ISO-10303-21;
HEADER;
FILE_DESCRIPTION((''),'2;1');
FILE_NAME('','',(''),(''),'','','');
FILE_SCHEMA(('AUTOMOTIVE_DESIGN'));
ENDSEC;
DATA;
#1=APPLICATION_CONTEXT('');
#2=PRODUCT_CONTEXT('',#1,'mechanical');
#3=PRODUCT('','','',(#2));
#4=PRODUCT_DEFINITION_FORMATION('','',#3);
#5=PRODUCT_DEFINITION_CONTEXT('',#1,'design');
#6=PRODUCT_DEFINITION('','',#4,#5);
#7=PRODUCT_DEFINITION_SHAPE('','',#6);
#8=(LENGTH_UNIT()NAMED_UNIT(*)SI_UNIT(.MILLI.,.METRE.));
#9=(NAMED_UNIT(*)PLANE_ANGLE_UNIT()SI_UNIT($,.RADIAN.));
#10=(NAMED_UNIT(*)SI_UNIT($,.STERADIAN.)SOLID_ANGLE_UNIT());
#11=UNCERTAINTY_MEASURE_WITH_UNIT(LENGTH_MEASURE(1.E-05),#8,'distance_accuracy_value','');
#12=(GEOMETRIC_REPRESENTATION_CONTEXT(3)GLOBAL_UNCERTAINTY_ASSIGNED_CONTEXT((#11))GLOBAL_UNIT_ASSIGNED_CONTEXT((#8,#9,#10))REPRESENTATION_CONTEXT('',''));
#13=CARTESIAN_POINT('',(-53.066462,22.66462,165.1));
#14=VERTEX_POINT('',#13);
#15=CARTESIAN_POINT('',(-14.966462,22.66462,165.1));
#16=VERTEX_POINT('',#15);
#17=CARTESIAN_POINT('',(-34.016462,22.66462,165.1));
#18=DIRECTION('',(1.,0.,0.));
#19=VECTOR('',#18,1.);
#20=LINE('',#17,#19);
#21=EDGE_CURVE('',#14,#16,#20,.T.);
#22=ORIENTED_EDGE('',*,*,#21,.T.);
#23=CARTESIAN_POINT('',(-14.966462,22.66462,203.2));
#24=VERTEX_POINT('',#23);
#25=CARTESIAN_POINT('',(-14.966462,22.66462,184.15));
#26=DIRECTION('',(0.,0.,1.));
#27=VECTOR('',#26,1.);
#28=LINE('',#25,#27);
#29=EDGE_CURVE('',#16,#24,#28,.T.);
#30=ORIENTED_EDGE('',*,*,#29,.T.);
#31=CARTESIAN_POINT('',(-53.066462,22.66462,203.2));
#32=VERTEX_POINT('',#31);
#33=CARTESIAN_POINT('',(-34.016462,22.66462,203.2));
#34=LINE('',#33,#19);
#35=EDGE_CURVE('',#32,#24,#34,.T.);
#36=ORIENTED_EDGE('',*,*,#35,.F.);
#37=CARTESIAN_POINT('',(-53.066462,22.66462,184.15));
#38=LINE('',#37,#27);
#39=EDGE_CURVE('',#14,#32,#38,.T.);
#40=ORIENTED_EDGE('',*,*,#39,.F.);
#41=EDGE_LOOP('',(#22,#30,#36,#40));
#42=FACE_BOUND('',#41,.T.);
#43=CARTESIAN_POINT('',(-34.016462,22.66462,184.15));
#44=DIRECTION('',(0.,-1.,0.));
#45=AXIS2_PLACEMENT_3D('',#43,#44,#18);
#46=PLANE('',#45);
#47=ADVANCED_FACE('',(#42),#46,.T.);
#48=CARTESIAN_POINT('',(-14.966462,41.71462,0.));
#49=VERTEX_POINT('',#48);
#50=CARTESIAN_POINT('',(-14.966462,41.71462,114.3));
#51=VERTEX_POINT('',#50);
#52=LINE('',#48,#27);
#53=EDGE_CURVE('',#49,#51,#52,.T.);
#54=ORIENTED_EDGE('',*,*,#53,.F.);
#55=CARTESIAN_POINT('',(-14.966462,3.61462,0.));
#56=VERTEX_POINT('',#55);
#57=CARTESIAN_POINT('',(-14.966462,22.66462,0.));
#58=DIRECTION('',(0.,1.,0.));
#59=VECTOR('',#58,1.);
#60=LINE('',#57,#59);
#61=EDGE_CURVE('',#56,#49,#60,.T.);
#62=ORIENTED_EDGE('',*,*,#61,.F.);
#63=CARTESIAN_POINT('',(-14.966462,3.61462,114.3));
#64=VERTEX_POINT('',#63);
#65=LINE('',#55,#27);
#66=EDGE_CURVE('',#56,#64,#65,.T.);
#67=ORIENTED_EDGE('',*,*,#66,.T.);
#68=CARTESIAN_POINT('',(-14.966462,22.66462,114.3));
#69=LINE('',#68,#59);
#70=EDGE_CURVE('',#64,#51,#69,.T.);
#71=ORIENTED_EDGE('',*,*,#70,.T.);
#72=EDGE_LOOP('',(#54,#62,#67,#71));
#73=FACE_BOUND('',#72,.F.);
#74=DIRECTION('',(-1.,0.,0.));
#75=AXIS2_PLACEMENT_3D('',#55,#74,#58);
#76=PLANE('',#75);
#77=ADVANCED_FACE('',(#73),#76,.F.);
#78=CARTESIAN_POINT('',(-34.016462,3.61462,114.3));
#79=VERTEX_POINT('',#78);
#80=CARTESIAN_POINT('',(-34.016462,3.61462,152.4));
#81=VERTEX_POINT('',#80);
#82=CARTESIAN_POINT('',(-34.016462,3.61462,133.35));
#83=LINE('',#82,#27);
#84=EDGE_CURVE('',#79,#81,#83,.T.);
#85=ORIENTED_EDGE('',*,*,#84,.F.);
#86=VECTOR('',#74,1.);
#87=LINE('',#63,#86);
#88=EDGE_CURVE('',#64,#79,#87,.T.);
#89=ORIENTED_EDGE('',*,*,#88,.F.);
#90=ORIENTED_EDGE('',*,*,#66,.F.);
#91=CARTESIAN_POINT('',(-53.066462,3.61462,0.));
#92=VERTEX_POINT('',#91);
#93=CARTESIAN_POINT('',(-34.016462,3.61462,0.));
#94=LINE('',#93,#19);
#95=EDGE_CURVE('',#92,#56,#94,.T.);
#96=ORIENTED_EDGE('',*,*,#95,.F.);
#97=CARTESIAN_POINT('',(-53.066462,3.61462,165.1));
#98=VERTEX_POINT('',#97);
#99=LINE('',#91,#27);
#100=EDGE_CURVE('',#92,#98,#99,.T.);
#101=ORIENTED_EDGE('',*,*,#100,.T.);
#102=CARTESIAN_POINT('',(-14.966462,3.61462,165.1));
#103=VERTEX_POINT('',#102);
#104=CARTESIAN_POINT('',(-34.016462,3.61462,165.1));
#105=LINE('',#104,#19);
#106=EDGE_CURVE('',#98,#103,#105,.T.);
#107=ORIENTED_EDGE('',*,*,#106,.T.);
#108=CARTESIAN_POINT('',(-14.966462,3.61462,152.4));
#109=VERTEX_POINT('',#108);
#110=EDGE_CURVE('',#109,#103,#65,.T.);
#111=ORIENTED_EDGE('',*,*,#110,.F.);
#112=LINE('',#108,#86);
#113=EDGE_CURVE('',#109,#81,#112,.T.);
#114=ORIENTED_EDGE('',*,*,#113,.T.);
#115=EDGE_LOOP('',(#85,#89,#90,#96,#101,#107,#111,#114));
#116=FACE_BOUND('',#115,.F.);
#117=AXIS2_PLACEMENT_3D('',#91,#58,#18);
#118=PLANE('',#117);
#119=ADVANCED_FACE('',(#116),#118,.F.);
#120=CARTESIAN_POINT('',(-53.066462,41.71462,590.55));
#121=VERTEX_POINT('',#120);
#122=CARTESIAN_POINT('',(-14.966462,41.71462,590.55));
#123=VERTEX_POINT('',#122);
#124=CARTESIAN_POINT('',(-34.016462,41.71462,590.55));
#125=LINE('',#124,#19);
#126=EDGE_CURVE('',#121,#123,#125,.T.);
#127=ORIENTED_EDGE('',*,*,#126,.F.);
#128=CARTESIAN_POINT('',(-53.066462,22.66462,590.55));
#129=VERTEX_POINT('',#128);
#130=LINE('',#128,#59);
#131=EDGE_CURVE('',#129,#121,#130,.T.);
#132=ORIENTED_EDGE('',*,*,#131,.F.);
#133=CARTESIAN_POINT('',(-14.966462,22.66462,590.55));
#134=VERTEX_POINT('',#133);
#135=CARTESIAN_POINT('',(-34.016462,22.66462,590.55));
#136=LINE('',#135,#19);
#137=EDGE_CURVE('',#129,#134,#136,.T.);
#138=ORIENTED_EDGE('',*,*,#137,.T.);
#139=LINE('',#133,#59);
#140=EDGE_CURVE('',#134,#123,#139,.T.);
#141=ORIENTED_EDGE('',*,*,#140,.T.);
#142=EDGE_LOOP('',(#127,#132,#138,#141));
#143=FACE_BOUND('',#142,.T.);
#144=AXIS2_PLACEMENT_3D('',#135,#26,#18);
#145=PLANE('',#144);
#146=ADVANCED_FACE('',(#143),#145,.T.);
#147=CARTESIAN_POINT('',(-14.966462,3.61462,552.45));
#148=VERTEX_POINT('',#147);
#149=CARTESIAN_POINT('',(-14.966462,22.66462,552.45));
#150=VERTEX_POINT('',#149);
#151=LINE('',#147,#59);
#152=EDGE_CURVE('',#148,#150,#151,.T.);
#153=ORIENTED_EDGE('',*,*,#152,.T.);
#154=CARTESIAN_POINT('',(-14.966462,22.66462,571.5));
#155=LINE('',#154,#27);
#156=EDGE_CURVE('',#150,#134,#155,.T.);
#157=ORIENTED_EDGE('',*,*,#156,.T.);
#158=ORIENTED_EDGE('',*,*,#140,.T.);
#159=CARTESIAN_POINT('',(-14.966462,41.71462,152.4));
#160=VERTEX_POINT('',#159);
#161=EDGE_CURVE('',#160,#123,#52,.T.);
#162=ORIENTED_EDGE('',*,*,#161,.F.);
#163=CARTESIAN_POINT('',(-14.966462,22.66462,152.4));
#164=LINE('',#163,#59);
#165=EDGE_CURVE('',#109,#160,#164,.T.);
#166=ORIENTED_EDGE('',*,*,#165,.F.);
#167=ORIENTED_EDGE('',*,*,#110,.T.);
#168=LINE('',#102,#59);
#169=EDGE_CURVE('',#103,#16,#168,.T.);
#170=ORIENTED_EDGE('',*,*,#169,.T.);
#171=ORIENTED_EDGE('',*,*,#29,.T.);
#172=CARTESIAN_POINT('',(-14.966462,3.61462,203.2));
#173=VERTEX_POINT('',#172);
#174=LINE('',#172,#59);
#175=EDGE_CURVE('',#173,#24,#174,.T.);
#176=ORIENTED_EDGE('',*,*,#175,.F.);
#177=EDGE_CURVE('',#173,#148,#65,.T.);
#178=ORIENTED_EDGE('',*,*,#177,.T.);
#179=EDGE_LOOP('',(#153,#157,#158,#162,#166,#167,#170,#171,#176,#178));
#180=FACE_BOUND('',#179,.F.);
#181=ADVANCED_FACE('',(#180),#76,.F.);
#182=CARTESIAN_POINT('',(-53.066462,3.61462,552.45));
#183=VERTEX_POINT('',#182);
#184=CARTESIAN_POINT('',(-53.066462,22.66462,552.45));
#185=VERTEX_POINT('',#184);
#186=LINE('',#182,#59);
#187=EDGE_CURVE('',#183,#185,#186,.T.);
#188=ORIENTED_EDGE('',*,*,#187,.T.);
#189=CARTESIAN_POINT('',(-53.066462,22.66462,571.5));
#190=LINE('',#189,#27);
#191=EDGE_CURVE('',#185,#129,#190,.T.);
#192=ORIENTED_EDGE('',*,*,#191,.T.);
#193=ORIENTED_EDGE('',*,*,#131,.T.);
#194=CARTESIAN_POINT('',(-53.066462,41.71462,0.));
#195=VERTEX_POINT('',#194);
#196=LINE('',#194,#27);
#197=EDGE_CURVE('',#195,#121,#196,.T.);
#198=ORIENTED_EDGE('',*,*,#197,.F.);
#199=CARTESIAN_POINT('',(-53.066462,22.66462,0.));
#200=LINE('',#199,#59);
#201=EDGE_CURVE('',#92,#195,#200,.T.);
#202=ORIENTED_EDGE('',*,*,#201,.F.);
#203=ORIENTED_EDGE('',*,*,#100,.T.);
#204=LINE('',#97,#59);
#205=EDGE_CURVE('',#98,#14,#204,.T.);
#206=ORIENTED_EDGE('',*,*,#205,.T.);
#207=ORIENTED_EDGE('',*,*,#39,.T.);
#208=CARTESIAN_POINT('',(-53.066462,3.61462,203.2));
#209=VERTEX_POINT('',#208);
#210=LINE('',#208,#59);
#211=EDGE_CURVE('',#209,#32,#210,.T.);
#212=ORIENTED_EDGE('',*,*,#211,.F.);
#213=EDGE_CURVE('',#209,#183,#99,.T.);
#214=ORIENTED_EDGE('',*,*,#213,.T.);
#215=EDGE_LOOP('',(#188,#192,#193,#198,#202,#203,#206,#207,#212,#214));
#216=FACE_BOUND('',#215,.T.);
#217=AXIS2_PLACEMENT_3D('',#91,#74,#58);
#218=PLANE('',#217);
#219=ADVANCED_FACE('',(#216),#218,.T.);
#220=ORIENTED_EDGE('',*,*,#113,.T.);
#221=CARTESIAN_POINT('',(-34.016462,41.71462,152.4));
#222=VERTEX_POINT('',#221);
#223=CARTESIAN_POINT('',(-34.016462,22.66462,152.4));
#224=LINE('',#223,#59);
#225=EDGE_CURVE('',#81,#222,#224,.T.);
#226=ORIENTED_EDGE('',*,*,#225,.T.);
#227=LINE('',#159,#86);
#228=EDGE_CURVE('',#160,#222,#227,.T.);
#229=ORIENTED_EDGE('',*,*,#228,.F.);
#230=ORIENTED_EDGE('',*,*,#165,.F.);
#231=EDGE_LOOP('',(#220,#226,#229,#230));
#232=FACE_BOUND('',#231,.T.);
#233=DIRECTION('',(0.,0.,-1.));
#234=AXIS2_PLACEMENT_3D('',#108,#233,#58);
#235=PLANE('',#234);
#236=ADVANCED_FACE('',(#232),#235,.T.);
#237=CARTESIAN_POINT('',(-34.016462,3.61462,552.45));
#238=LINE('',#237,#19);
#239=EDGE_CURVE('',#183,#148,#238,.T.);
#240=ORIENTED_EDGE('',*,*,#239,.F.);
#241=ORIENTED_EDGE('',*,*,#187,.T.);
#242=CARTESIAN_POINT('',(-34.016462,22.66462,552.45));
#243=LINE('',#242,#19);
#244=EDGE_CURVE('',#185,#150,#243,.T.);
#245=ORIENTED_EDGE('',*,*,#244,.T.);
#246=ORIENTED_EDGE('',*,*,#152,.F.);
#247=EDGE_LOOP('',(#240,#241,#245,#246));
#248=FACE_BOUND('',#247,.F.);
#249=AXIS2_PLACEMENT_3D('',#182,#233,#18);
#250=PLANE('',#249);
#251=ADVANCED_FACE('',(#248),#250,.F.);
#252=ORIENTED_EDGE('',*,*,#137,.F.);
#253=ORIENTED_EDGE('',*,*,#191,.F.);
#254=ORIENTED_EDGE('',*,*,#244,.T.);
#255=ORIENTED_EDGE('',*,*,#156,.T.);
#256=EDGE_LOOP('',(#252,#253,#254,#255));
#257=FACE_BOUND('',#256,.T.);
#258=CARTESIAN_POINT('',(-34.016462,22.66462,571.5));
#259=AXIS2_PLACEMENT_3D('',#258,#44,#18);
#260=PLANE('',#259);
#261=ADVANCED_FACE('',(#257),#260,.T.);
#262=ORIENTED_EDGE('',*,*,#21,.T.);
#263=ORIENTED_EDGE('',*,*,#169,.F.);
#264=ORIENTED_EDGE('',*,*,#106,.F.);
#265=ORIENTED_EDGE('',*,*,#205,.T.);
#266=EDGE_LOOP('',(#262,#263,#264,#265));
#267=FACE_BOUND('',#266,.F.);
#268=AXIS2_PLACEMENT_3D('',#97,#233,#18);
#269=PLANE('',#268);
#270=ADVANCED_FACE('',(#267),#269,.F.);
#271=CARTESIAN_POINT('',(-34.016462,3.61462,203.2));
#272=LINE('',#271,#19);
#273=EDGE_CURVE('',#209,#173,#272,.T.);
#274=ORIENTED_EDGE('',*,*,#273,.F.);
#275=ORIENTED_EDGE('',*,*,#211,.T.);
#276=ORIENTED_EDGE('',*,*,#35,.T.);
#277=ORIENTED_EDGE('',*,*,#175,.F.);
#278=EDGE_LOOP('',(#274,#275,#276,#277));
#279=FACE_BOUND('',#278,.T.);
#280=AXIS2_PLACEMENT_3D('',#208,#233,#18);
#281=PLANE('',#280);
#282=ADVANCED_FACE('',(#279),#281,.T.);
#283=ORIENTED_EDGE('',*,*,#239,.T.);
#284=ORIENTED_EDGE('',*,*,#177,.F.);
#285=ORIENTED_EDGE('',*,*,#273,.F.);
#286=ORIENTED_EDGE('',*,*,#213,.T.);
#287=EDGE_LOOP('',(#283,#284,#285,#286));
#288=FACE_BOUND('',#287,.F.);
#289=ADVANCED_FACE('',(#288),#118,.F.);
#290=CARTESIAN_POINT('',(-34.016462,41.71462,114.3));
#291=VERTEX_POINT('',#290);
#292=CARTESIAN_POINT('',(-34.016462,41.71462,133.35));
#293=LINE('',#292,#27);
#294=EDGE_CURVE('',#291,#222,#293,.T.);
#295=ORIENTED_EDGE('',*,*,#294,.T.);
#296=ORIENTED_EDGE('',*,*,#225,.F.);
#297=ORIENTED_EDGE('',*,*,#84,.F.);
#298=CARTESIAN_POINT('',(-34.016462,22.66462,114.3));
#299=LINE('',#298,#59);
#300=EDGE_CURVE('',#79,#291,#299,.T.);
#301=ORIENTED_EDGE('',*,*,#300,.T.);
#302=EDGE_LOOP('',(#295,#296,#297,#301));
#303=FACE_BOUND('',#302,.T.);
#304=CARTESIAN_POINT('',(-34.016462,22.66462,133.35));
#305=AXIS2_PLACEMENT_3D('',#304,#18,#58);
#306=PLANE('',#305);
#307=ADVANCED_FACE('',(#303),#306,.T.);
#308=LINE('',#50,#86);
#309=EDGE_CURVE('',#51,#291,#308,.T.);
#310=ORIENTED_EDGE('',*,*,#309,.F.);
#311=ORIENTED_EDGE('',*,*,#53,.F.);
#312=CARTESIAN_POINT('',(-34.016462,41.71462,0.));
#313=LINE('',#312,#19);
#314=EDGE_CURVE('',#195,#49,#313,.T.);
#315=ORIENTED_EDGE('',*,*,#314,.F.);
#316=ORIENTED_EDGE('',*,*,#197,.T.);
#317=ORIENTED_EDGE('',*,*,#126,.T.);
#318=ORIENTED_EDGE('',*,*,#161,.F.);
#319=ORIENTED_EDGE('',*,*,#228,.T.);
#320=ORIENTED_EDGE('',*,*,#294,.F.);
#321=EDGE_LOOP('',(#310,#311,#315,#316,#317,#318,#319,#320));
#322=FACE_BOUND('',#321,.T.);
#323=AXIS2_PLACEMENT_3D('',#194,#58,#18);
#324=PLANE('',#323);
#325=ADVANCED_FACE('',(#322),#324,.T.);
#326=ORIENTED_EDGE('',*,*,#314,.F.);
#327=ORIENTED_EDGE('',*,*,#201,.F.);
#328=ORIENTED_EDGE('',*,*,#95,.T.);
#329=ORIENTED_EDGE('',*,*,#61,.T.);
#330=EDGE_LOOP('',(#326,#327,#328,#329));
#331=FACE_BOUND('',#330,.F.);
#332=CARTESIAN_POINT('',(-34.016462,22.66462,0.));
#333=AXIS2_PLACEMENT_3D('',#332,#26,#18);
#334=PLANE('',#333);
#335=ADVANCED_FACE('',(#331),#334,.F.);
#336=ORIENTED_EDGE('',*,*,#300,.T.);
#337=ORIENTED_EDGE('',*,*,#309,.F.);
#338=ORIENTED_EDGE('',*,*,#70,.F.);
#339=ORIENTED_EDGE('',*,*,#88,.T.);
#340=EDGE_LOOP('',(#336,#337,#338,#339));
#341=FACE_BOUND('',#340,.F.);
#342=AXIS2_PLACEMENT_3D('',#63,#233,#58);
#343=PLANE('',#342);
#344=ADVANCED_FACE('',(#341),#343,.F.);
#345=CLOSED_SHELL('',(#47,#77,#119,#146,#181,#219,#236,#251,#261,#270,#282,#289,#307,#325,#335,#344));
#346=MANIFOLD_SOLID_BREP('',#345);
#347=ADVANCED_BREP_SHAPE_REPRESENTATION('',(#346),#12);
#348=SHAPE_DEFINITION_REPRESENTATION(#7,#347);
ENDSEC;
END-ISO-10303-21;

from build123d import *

# Parameters (mm, degrees)
F0_W     = 38.1
F0_H     = 38.1
F1_DEPTH = 590.55
F2_W     = 38.1
F2_H     = 38.1
F3_DEPTH = 19.05
F4_W     = 38.1
F4_H     = 38.1
F5_DEPTH = 19.05
F6_W     = 38.1
F6_H     = 38.1
F7_DEPTH = 19.05


with BuildPart() as f1:
    # F0 (on Top) → F1 (new body)
    with BuildSketch(Plane.XY):
        with Locations((-34.016462, 22.66462)):
            Rectangle(F0_W, F0_H)
    extrude(amount=F1_DEPTH)

    # F2 (on face) → F3 (cut)
    with BuildSketch(Plane.XZ.offset(-3.61462)):
        with Locations((-34.016462, 571.5)):
            Rectangle(F2_W, F2_H)
    extrude(amount=-F3_DEPTH, mode=Mode.SUBTRACT)

    # F4 (on face) → F5 (cut)
    with BuildSketch(Plane.YZ.offset(-14.966462)):
        with Locations((22.66462, 133.35)):
            Rectangle(F4_W, F4_H)
    extrude(amount=-F5_DEPTH, mode=Mode.SUBTRACT)

    # F6 (on face) → F7 (cut)
    with BuildSketch(Plane.XZ.offset(-3.61462)):
        with Locations((-34.016462, 184.15)):
            Rectangle(F6_W, F6_H)
    extrude(amount=-F7_DEPTH, mode=Mode.SUBTRACT)


solid = f1.part
